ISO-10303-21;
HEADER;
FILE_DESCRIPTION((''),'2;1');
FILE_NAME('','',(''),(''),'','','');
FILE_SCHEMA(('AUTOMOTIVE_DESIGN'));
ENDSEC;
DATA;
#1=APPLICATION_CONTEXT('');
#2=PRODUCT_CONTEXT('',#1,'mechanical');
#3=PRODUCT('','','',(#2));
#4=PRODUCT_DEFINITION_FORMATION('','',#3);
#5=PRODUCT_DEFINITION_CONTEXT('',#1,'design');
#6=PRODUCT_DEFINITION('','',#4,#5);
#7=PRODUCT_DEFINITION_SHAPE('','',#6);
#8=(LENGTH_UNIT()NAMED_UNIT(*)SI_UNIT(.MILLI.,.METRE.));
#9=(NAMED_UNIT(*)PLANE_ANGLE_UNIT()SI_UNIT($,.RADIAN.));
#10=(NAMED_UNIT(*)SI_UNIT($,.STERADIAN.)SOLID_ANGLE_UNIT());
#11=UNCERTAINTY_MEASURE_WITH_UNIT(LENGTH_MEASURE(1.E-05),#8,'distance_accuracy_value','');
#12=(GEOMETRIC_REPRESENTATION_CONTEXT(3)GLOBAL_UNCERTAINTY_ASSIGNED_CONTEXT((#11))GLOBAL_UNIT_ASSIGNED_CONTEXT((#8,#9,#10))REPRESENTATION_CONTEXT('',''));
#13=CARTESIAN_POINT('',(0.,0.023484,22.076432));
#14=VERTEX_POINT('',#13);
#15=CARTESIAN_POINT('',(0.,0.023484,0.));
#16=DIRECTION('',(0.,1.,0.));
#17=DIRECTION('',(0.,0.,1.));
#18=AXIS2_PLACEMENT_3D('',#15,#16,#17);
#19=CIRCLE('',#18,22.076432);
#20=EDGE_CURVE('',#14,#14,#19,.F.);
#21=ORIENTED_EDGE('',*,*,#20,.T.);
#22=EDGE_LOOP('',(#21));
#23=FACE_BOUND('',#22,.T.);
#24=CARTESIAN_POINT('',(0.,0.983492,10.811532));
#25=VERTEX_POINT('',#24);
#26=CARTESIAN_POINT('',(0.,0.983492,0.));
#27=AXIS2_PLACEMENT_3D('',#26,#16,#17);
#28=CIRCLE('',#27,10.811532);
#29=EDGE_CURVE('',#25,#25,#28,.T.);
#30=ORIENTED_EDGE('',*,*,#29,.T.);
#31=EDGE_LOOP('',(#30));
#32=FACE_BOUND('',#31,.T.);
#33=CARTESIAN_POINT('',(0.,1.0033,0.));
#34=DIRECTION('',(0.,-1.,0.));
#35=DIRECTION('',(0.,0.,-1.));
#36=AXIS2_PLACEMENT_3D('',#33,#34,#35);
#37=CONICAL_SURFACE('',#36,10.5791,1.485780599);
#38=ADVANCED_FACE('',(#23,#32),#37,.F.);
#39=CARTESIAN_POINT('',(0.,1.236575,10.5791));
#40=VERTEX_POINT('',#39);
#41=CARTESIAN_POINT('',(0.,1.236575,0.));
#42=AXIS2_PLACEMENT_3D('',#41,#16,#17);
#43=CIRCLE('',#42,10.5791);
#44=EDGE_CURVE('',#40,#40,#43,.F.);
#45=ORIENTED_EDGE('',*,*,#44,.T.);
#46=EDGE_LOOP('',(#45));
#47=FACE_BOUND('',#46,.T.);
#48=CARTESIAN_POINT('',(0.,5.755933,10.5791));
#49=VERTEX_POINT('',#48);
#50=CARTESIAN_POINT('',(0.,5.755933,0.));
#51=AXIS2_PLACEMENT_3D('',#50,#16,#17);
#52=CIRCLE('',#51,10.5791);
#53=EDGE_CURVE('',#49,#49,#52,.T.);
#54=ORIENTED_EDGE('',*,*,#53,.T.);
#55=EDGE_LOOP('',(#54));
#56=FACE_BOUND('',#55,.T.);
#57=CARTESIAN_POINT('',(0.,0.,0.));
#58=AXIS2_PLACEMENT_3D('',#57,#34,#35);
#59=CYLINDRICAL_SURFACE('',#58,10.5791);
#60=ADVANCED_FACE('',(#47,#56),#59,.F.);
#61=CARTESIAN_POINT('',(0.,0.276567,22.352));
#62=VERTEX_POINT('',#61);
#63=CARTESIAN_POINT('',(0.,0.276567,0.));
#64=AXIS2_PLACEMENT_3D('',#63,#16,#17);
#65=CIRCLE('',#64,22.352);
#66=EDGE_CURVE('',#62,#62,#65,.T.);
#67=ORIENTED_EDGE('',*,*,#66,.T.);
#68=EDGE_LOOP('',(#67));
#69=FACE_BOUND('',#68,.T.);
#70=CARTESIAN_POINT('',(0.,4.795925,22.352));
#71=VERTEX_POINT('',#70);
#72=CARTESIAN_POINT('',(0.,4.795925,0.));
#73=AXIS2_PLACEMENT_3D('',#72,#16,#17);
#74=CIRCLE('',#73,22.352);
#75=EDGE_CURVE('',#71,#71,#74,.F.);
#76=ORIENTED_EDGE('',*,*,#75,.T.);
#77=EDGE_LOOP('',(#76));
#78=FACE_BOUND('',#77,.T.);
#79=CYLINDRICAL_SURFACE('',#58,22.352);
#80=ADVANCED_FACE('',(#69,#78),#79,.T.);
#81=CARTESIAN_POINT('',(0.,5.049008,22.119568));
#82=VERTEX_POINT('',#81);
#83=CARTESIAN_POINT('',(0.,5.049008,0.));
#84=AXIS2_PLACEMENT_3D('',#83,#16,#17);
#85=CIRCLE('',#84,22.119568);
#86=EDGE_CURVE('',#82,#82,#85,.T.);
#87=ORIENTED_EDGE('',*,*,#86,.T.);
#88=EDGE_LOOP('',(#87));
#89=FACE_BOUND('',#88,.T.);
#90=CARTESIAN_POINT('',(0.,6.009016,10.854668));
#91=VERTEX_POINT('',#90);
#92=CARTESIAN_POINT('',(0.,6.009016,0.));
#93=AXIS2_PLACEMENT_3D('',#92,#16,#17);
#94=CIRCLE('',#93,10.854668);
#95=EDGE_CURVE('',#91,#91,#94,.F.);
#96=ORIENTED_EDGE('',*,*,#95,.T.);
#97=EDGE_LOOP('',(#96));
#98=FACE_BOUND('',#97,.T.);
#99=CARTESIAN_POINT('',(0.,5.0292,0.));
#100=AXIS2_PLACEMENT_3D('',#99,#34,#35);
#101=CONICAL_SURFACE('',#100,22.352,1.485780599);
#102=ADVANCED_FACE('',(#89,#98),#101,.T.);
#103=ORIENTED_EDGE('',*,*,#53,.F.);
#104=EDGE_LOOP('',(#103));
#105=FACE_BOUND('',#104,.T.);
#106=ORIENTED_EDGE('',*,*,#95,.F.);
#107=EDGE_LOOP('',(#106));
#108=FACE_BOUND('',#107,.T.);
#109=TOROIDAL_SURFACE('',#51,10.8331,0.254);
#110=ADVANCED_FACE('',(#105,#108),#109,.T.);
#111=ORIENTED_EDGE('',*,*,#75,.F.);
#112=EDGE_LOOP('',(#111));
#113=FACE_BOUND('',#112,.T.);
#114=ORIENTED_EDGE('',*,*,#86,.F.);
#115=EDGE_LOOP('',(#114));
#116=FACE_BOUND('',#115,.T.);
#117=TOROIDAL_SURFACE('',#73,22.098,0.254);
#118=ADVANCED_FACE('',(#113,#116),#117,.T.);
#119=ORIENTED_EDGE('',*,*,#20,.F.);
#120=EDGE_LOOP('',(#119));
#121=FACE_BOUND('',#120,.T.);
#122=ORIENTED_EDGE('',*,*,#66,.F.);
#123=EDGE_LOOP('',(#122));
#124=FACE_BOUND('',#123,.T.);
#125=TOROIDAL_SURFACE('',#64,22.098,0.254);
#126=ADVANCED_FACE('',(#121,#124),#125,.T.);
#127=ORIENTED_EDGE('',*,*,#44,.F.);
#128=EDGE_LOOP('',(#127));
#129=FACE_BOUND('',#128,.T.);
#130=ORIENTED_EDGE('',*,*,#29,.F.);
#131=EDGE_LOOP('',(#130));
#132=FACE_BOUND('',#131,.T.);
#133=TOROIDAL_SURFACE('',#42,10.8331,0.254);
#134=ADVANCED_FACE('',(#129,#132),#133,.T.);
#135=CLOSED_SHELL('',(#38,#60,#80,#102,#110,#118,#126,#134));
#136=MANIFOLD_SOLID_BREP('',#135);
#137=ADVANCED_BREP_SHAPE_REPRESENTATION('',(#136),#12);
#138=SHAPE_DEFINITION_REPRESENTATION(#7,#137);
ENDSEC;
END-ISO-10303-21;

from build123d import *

# Parameters (mm, degrees)
FILLET1_R = 0.254


with BuildPart() as part:
    # Sketch2 → Revolve1 (revolve)
    with BuildSketch(Plane(origin=(0, 0, 0), x_dir=(0, 0, -1), z_dir=(1, 0, 0))):
        Polygon((10.5791, 6.0325), (10.5791, 1.0033), (22.352, 0), (22.352, 5.0292), align=None)
    revolve(axis=Axis((0, 0, 0), (0, 1, 0)))

    # Fillet1
    fillet1_edges = [part.edges().sort_by_distance(p)[0] for p in [
        (0, 5.0292, 22.352),
        (0, 0, 22.352),
        (0, 1.0033, 10.5791),
        (0, 6.0325, 10.5791),
    ]]
    fillet(fillet1_edges, radius=FILLET1_R)


solid = part.part
